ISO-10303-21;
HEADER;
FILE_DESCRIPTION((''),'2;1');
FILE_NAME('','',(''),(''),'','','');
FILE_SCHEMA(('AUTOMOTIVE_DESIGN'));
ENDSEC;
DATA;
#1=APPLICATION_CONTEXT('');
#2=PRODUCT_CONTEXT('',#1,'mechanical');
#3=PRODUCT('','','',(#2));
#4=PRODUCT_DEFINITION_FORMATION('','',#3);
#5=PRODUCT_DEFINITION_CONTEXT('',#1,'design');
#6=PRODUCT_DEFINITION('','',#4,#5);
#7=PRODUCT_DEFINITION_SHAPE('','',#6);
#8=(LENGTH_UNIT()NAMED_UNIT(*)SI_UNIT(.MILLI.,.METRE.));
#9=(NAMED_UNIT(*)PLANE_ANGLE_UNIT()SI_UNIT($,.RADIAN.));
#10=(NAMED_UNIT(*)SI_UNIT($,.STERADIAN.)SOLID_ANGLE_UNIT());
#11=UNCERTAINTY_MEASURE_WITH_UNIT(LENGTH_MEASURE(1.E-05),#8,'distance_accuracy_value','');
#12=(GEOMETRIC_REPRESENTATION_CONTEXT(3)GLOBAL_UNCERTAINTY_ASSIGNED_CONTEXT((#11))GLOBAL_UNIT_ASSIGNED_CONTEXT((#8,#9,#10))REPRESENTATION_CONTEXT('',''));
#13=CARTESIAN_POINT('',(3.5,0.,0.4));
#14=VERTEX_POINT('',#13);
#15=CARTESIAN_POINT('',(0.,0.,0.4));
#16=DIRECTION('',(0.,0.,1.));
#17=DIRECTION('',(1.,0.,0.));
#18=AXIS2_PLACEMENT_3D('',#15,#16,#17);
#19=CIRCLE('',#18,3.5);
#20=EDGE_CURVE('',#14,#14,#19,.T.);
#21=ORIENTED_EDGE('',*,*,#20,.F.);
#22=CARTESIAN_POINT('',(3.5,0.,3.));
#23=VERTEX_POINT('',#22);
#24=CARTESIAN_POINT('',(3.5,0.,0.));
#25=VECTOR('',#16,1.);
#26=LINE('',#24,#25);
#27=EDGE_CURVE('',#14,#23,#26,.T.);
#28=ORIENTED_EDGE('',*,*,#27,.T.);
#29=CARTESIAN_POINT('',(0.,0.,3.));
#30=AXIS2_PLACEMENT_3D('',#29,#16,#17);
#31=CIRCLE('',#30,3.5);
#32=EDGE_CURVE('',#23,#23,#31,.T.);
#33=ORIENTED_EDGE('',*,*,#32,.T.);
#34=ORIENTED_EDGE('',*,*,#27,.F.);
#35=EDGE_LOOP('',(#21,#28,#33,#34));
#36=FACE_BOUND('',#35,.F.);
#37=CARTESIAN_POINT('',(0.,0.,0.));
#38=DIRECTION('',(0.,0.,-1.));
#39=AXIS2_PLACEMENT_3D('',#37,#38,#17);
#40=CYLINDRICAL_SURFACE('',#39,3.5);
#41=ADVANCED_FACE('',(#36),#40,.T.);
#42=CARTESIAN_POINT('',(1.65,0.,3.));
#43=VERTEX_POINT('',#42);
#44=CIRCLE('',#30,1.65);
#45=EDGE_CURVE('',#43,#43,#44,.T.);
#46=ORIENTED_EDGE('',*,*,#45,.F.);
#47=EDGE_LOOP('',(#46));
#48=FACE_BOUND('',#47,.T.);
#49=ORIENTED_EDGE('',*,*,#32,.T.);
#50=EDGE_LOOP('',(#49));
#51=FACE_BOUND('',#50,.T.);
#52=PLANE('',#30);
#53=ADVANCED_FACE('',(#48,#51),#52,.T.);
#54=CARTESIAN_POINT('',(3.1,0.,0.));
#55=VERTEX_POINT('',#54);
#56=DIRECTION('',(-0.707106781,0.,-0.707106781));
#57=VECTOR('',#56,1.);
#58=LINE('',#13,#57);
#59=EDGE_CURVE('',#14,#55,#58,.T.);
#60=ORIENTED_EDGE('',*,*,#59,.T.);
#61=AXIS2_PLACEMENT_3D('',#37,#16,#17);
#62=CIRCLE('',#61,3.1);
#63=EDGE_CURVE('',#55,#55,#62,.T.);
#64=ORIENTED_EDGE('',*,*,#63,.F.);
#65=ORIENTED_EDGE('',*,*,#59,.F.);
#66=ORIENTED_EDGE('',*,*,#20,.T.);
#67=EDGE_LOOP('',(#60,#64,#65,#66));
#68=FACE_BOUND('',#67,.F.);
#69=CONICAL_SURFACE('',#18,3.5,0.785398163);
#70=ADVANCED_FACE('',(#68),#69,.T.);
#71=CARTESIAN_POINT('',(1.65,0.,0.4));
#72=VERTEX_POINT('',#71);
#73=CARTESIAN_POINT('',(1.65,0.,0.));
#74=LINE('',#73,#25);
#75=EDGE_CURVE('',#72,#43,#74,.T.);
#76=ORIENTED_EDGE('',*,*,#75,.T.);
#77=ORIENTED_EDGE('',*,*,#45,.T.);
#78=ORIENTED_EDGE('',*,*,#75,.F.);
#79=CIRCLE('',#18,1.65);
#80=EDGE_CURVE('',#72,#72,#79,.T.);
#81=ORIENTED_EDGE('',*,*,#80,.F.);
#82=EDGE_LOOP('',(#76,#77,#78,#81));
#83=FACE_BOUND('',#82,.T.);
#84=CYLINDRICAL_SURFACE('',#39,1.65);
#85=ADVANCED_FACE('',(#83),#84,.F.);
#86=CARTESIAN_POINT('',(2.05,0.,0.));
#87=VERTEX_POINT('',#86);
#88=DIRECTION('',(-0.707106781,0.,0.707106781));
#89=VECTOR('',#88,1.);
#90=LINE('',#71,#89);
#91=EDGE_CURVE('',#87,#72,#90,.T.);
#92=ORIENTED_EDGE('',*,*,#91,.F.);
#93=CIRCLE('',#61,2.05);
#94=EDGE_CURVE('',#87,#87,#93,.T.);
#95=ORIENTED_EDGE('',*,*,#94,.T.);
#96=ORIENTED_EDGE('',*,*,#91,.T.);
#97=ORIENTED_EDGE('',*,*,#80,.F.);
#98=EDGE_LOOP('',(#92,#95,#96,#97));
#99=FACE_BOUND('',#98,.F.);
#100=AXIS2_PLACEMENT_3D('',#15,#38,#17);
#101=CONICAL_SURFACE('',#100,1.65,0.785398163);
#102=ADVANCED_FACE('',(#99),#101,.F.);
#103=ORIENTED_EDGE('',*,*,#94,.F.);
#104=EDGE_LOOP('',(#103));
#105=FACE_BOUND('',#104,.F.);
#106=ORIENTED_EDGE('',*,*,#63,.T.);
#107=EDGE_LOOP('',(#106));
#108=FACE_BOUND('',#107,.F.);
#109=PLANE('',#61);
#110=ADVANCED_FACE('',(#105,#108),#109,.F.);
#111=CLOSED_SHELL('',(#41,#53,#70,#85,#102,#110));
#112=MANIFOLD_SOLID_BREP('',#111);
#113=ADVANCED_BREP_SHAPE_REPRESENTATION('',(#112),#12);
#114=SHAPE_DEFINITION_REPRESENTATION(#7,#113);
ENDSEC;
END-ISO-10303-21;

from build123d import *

# Parameters (mm, degrees)
CYLINDER001_R     = 1.65
CYLINDER001_DEPTH = 3
CYLINDER_R        = 3.5
CYLINDER_DEPTH    = 3
CHAMFER001_SIZE   = 0.4


with BuildPart() as cylinder001:
    # Cylinder001 → Cylinder001 (new body)
    with BuildSketch(Plane.XY):
        Circle(CYLINDER001_R)
    extrude(amount=CYLINDER001_DEPTH)


with BuildPart() as chamfer001:
    # Cylinder → Cylinder (new body)
    with BuildSketch(Plane.XY):
        Circle(CYLINDER_R)
    extrude(amount=CYLINDER_DEPTH)

    # Cut: cut Cylinder001
    add(cylinder001.part, mode=Mode.SUBTRACT)

    # Chamfer001
    chamfer001_edges = [chamfer001.edges().sort_by_distance(p)[0] for p in [
        (-3.5, 0, 0),
        (-1.65, 0, 0),
    ]]
    chamfer(chamfer001_edges, length=CHAMFER001_SIZE)


solid = chamfer001.part
